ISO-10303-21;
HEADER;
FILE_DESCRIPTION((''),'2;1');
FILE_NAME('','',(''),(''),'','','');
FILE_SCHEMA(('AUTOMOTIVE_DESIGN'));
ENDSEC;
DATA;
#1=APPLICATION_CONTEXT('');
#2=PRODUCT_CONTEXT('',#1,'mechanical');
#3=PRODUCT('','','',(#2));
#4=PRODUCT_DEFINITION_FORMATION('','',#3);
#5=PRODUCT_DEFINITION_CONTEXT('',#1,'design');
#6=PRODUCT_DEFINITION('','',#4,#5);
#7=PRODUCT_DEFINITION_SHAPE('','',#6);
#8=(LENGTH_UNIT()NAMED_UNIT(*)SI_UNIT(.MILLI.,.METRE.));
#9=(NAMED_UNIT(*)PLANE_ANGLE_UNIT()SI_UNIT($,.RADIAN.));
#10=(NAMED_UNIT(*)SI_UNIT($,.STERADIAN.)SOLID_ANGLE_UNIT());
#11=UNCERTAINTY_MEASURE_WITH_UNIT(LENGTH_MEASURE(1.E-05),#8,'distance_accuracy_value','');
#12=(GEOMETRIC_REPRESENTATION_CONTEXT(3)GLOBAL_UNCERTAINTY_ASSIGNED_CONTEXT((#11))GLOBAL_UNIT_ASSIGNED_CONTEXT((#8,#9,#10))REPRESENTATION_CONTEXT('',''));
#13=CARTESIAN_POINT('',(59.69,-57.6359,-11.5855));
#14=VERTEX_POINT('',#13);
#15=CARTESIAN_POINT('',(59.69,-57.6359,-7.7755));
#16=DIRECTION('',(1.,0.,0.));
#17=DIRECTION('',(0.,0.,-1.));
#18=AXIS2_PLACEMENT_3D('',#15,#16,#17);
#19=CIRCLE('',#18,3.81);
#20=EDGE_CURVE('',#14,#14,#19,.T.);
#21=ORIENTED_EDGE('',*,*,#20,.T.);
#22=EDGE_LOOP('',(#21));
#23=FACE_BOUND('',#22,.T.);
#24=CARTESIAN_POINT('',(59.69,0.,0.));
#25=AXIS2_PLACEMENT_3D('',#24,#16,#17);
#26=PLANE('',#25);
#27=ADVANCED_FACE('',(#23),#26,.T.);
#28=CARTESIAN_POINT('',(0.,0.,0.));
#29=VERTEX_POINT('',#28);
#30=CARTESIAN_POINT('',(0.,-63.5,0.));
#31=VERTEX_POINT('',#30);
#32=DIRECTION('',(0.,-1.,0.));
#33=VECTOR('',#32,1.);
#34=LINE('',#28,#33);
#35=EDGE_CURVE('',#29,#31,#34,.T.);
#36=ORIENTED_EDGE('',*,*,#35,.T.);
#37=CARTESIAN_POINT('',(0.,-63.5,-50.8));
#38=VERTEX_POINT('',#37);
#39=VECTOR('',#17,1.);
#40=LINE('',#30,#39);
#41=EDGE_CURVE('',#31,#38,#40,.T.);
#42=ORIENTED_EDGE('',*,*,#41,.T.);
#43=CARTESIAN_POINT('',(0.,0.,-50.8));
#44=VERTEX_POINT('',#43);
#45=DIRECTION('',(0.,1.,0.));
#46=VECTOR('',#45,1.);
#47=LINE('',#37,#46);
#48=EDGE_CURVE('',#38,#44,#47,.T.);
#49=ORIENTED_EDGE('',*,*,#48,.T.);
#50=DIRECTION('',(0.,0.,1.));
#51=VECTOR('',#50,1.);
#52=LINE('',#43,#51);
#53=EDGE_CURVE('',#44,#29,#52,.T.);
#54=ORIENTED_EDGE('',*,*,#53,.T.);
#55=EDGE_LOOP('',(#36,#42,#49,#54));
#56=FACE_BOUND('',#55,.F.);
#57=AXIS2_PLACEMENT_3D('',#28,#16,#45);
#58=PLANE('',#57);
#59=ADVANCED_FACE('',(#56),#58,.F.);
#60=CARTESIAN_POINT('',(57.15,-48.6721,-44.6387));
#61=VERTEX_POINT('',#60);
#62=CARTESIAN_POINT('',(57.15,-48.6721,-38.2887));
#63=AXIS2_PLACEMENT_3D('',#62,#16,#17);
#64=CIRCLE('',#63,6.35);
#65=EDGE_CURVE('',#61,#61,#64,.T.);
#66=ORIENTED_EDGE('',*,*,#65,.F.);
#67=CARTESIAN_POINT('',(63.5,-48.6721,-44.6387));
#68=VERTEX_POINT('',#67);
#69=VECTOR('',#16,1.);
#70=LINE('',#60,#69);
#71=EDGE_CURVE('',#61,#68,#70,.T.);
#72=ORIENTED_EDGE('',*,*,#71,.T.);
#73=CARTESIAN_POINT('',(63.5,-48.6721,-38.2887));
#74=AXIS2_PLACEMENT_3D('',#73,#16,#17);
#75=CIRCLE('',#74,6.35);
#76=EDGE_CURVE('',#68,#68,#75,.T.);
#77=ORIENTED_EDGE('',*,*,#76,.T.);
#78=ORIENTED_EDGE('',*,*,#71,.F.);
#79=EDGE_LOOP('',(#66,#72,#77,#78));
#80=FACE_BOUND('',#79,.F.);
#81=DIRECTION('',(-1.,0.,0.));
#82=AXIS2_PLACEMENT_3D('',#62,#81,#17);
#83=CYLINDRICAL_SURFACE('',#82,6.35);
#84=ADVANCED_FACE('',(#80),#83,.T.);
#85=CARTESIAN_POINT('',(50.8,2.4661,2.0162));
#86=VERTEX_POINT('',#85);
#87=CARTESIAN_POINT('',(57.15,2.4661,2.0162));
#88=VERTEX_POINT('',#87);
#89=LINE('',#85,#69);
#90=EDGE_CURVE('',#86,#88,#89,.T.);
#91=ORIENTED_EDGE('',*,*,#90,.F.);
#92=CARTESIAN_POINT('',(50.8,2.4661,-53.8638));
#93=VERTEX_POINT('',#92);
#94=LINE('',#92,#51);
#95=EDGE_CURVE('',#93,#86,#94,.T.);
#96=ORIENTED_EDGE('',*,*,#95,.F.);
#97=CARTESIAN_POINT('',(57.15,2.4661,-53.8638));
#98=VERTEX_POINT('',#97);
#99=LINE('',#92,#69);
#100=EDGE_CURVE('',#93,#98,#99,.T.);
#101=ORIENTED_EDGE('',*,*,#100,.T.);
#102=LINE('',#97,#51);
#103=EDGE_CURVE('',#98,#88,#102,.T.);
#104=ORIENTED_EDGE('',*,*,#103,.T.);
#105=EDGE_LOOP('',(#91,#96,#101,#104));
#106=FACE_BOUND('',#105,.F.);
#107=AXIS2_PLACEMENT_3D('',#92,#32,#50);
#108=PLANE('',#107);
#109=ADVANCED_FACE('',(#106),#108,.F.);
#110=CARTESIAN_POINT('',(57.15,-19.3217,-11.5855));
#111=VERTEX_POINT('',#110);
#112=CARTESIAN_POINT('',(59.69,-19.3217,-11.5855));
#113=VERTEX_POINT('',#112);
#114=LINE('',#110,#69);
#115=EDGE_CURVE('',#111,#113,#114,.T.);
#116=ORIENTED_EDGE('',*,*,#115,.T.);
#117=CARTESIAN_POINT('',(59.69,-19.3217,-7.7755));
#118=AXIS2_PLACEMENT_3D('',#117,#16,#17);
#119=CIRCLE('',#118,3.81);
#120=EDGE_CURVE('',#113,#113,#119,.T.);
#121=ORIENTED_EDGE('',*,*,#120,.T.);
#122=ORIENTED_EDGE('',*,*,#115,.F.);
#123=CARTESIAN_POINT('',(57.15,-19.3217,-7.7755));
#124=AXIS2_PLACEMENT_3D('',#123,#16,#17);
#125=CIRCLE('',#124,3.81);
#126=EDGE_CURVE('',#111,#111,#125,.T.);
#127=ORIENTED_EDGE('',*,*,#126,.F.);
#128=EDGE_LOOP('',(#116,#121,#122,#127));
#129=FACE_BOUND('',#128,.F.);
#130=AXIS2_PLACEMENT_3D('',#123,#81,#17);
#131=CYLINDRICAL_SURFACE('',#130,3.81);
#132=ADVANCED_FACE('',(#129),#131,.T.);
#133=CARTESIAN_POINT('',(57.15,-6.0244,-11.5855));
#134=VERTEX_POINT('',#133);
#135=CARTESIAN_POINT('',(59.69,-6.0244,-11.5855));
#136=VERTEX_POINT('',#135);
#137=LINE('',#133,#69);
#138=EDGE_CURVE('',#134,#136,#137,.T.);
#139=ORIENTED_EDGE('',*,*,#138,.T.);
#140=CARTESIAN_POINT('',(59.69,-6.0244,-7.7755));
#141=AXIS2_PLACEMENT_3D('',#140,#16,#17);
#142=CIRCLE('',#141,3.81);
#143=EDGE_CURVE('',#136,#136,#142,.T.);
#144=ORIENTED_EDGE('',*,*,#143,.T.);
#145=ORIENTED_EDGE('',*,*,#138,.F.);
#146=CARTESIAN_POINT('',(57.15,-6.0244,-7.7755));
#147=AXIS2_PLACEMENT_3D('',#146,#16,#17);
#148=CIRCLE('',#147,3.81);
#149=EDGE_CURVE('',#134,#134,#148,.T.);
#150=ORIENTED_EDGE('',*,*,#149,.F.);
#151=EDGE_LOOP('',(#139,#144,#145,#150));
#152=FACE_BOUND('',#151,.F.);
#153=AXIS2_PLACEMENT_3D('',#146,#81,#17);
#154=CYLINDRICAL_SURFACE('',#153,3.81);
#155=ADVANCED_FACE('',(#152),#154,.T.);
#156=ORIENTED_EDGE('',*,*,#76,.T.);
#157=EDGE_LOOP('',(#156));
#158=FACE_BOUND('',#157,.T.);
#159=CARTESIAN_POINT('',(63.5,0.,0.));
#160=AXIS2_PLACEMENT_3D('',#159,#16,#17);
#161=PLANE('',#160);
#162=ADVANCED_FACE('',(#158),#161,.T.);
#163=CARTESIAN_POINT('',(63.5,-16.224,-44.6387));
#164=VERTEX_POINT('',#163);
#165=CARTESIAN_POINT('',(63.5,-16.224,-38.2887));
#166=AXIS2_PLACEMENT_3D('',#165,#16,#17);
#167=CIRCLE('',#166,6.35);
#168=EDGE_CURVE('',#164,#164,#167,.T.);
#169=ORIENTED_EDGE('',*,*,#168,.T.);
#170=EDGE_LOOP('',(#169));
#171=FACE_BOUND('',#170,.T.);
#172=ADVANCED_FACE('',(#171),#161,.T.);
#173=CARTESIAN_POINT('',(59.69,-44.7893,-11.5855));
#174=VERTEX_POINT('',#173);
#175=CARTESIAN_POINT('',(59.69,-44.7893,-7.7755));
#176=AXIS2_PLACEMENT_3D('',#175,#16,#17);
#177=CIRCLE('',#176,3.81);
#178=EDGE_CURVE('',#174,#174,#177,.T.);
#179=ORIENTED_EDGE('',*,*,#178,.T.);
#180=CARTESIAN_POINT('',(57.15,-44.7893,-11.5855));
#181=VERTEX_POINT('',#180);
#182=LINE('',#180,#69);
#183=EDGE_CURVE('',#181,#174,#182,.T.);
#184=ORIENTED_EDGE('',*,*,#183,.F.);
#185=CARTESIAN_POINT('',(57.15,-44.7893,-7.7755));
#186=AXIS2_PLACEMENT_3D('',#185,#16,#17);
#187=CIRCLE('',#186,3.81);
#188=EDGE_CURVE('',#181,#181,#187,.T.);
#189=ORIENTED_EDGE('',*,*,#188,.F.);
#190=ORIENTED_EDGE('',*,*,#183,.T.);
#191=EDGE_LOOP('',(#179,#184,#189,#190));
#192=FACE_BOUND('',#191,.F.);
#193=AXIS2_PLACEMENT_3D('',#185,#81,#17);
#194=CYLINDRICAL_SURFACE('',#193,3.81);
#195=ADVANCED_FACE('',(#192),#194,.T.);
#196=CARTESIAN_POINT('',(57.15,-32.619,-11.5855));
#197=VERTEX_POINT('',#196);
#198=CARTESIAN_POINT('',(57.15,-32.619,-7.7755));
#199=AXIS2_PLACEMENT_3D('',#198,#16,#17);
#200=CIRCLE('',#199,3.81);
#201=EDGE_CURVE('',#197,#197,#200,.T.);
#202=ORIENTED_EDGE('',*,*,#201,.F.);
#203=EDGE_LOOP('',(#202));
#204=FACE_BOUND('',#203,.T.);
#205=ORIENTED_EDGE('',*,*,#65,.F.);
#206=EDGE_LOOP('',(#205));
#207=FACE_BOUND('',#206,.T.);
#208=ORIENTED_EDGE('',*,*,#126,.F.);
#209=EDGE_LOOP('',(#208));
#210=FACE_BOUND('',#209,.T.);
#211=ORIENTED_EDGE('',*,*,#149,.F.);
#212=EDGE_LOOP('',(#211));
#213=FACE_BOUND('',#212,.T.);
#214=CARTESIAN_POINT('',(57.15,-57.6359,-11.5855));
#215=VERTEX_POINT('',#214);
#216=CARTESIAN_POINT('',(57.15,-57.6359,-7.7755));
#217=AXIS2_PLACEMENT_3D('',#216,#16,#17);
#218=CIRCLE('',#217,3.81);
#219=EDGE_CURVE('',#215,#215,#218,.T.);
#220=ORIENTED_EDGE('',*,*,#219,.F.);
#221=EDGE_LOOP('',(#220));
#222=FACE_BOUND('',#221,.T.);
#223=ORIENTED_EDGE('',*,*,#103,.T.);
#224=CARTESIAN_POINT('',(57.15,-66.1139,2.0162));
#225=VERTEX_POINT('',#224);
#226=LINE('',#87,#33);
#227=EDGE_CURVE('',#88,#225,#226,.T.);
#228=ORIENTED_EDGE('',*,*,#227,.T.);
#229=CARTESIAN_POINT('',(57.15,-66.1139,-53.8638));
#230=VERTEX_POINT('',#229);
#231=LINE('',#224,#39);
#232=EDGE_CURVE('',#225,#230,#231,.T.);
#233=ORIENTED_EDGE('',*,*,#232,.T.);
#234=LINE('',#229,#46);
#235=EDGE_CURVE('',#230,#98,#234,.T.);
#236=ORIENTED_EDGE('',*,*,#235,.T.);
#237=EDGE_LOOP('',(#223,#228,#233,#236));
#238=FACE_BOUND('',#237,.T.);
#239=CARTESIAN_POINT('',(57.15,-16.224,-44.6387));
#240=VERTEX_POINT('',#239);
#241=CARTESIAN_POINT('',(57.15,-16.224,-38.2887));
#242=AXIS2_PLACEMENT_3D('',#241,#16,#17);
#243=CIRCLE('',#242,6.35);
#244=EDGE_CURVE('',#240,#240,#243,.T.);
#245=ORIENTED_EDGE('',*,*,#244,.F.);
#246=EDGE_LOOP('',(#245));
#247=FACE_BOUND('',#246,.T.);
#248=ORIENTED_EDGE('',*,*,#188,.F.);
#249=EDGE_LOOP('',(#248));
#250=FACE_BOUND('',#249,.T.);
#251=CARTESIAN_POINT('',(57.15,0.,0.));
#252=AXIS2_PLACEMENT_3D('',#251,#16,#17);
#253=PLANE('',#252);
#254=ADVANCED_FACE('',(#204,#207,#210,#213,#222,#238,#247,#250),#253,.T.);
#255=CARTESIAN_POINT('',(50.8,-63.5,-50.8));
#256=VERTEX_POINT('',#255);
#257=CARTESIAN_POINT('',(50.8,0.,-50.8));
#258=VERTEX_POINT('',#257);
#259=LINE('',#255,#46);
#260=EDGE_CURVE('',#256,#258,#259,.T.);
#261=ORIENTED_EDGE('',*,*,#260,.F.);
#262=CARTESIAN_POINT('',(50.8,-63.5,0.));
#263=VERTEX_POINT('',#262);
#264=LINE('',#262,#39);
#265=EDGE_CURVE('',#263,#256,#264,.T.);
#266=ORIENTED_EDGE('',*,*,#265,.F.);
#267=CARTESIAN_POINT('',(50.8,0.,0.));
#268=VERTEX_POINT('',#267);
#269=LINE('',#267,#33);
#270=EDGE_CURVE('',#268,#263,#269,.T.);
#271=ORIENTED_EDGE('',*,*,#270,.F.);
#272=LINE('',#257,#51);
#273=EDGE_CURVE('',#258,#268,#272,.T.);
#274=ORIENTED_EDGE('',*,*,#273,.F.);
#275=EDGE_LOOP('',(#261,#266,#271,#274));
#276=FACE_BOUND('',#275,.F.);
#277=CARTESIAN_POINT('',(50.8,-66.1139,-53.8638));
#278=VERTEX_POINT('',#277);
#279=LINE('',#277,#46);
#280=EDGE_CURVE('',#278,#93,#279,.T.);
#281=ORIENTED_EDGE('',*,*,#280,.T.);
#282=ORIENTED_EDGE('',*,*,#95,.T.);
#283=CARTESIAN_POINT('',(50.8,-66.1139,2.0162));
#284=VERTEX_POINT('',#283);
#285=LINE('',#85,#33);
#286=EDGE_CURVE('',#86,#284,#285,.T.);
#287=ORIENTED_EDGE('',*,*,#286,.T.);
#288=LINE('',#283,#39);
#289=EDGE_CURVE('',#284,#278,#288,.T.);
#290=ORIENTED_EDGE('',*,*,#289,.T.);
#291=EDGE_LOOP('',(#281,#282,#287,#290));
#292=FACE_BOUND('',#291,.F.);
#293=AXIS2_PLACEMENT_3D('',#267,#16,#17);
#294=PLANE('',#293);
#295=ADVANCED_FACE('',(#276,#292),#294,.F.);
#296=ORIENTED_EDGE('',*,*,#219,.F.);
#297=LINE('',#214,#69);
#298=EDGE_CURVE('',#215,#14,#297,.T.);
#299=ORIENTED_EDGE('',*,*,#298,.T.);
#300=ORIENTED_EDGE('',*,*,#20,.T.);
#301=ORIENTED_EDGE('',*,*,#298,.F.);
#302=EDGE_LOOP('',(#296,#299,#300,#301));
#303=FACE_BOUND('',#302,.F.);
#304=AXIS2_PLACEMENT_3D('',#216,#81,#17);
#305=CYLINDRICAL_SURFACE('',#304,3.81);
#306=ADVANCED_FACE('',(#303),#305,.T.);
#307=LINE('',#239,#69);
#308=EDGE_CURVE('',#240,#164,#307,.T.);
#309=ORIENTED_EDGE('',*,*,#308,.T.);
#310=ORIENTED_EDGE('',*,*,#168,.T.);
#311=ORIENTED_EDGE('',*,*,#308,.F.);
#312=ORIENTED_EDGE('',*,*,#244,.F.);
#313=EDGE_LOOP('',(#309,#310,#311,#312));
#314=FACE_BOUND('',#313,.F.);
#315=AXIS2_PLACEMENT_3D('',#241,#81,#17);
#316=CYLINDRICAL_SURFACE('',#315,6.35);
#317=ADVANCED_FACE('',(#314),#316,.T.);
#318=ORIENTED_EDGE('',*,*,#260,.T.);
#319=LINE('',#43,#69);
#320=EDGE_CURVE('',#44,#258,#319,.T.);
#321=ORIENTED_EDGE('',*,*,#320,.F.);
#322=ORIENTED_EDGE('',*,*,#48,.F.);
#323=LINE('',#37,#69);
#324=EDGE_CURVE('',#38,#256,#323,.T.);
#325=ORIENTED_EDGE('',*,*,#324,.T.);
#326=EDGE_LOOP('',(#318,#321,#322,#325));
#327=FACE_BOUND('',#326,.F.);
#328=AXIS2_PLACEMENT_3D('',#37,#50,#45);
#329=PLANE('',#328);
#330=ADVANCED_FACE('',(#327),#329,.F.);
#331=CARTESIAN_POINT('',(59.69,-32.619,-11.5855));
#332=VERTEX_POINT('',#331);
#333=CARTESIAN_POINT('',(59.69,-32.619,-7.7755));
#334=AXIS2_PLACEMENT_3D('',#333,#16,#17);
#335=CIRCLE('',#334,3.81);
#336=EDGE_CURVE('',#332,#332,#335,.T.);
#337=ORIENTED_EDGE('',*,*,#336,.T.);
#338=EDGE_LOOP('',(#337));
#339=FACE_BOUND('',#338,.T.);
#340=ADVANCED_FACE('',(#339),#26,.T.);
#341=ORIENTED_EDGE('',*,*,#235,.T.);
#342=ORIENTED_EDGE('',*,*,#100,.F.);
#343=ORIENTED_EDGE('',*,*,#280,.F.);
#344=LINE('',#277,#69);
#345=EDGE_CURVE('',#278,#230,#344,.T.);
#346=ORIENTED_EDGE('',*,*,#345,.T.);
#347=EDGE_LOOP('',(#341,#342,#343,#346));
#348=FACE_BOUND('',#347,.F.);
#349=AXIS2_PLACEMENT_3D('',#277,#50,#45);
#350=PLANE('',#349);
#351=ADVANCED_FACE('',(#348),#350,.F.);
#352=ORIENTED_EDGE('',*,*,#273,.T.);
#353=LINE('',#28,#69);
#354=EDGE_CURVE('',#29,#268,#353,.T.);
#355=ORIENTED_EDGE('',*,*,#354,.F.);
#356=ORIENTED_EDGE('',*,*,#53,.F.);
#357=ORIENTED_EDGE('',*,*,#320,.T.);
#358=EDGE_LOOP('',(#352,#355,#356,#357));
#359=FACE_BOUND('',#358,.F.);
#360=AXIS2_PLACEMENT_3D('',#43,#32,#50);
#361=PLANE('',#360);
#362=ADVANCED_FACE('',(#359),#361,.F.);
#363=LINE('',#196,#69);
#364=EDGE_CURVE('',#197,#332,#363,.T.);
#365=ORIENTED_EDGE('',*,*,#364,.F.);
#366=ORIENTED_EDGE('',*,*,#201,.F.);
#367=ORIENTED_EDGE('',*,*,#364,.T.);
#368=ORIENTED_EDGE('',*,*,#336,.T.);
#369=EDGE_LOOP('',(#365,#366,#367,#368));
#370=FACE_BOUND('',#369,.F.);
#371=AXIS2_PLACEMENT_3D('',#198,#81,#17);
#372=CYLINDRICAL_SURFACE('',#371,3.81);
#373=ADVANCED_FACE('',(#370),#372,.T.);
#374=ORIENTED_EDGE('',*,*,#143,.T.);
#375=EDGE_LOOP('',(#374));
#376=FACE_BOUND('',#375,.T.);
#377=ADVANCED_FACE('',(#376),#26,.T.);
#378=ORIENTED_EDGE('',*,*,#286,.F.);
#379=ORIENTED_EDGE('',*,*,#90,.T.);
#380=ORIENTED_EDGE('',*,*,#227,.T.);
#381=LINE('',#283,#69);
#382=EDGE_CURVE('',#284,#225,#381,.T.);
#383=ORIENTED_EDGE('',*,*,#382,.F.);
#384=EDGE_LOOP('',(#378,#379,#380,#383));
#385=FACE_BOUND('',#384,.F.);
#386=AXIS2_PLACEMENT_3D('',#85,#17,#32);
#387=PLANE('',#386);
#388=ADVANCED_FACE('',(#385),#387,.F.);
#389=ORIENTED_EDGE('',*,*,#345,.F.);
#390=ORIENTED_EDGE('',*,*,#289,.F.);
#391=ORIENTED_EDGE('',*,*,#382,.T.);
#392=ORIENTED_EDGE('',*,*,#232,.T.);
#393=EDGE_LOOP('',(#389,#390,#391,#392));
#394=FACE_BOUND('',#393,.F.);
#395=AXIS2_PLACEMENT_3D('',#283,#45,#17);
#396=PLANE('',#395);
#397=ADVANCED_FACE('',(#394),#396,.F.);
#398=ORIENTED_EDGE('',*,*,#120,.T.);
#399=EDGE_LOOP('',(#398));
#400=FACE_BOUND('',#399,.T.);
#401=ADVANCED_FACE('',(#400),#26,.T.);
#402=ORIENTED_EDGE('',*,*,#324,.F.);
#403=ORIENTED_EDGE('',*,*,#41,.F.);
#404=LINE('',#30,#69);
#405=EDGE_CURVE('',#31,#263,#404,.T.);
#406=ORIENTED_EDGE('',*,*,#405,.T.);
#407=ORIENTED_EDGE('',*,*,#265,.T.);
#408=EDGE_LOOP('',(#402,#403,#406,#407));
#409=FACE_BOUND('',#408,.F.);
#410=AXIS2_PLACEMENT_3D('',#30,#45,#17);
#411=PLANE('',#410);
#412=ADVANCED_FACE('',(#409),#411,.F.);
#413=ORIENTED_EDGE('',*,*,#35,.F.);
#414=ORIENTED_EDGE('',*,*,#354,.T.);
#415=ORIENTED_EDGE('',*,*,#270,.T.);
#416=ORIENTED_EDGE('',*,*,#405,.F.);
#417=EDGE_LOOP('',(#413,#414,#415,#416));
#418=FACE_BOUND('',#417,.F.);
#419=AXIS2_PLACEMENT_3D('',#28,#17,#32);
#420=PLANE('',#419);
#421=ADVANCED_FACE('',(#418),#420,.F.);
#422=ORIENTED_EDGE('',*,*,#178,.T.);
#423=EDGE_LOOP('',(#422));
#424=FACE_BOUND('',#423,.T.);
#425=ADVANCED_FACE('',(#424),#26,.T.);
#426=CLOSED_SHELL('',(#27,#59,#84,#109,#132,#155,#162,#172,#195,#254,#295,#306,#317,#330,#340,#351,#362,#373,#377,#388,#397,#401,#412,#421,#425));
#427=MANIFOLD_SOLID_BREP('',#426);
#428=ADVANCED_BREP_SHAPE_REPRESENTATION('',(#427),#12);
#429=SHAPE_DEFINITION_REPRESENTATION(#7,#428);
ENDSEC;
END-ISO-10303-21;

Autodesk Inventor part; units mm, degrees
ref_plane "YZ Plane" through (0, 0, 0) normal (1, 0, 0) x (0, 1, 0)
ref_plane "XZ Plane" through (0, 0, 0) normal (0, 1, 0) x (-1, 0, 0)
ref_plane "XY Plane" through (0, 0, 0) normal (0, 0, 1) x (1, 0, 0)
sketch "Sketch1" plane through (0, 0, 0) normal (1, 0, 0) x (0, 1, 0)
  line L0 (0, 0) -> (-63.5, 0)
  line L1 (-63.5, 0) -> (-63.5, -50.8)
  line L2 (-63.5, -50.8) -> (0, -50.8)
  line L3 (0, -50.8) -> (0, 0)
  dimension "d0" = 63.5
  dimension "d1" = 50.8
extrude "Extrusion1" add sketch "Sketch1" along normal blind 50.8
sketch "Sketch2" plane through (50.8, 0, 0) normal (1, 0, 0) x (0, 0, -1)
  line L0 (53.8638, 2.4661) -> (-2.0162, 2.4661)
  line L1 (-2.0162, 2.4661) -> (-2.0162, -66.1139)
  line L2 (-2.0162, -66.1139) -> (53.8638, -66.1139)
  line L3 (53.8638, -66.1139) -> (53.8638, 2.4661)
  point P0 (0, 0)
  dimension "d4" = 55.88
  dimension "d5" = 68.58
extrude "Extrusion2" add sketch "Sketch2" along normal blind 6.35
sketch "Sketch3" plane through (57.15, 0, 0) normal (1, 0, 0) x (0, 0, -1)
  circle A0 centre (38.2887, -16.224) radius 6.35
  circle A1 centre (38.2887, -48.6721) radius 6.35
  circle A2 centre (6.879, -6.1002) radius 3.81
  circle A3 centre (6.879, -18.8199) radius 3.81
  circle A4 centre (6.879, -34.395) radius 3.81
  circle A5 centre (6.879, -46.5954) radius 3.81
  circle A6 centre (6.879, -58.7959) radius 3.81
  point P0 (0, 0)
  dimension "d8" = 12.7
  dimension "d9" = 12.7
  dimension "d10" = 7.62
  dimension "d11" = 7.62
  dimension "d12" = 7.62
  dimension "d13" = 7.62
  dimension "d14" = 7.62
extrude "Extrusion3" add sketch "Sketch3" along normal blind 6.35 contours A0 | A1
sketch "Sketch4" plane through (57.15, 0, 0) normal (1, 0, 0) x (0, 0, -1)
  circle A0 centre (7.7755, -6.0244) radius 3.81
  circle A1 centre (7.7755, -19.3217) radius 3.81
  circle A2 centre (7.7755, -32.619) radius 3.81
  circle A3 centre (7.7755, -44.7893) radius 3.81
  circle A4 centre (7.7755, -57.6359) radius 3.81
  point P0 (0, 0)
  dimension "d17" = 7.62
  dimension "d18" = 7.62
  dimension "d19" = 7.62
  dimension "d20" = 7.62
  dimension "d21" = 7.62
extrude "Extrusion4" add sketch "Sketch4" along normal blind 2.54
sketch "Sketch5" plane through (57.15, 0, 0) normal (1, 0, 0) x (0, 0, -1)
  point P0 (0, 0)
sketch "Sketch6" plane through (57.15, 0, 0) normal (1, 0, 0) x (0, 0, -1)
  circle A0 centre (38.3083, -15.968) radius 3.175
  circle A1 centre (38.3083, -48.6538) radius 3.175
  point P0 (0, 0)
  dimension "d24" = 6.35
  dimension "d25" = 6.35
properties part number "Battery 2"
